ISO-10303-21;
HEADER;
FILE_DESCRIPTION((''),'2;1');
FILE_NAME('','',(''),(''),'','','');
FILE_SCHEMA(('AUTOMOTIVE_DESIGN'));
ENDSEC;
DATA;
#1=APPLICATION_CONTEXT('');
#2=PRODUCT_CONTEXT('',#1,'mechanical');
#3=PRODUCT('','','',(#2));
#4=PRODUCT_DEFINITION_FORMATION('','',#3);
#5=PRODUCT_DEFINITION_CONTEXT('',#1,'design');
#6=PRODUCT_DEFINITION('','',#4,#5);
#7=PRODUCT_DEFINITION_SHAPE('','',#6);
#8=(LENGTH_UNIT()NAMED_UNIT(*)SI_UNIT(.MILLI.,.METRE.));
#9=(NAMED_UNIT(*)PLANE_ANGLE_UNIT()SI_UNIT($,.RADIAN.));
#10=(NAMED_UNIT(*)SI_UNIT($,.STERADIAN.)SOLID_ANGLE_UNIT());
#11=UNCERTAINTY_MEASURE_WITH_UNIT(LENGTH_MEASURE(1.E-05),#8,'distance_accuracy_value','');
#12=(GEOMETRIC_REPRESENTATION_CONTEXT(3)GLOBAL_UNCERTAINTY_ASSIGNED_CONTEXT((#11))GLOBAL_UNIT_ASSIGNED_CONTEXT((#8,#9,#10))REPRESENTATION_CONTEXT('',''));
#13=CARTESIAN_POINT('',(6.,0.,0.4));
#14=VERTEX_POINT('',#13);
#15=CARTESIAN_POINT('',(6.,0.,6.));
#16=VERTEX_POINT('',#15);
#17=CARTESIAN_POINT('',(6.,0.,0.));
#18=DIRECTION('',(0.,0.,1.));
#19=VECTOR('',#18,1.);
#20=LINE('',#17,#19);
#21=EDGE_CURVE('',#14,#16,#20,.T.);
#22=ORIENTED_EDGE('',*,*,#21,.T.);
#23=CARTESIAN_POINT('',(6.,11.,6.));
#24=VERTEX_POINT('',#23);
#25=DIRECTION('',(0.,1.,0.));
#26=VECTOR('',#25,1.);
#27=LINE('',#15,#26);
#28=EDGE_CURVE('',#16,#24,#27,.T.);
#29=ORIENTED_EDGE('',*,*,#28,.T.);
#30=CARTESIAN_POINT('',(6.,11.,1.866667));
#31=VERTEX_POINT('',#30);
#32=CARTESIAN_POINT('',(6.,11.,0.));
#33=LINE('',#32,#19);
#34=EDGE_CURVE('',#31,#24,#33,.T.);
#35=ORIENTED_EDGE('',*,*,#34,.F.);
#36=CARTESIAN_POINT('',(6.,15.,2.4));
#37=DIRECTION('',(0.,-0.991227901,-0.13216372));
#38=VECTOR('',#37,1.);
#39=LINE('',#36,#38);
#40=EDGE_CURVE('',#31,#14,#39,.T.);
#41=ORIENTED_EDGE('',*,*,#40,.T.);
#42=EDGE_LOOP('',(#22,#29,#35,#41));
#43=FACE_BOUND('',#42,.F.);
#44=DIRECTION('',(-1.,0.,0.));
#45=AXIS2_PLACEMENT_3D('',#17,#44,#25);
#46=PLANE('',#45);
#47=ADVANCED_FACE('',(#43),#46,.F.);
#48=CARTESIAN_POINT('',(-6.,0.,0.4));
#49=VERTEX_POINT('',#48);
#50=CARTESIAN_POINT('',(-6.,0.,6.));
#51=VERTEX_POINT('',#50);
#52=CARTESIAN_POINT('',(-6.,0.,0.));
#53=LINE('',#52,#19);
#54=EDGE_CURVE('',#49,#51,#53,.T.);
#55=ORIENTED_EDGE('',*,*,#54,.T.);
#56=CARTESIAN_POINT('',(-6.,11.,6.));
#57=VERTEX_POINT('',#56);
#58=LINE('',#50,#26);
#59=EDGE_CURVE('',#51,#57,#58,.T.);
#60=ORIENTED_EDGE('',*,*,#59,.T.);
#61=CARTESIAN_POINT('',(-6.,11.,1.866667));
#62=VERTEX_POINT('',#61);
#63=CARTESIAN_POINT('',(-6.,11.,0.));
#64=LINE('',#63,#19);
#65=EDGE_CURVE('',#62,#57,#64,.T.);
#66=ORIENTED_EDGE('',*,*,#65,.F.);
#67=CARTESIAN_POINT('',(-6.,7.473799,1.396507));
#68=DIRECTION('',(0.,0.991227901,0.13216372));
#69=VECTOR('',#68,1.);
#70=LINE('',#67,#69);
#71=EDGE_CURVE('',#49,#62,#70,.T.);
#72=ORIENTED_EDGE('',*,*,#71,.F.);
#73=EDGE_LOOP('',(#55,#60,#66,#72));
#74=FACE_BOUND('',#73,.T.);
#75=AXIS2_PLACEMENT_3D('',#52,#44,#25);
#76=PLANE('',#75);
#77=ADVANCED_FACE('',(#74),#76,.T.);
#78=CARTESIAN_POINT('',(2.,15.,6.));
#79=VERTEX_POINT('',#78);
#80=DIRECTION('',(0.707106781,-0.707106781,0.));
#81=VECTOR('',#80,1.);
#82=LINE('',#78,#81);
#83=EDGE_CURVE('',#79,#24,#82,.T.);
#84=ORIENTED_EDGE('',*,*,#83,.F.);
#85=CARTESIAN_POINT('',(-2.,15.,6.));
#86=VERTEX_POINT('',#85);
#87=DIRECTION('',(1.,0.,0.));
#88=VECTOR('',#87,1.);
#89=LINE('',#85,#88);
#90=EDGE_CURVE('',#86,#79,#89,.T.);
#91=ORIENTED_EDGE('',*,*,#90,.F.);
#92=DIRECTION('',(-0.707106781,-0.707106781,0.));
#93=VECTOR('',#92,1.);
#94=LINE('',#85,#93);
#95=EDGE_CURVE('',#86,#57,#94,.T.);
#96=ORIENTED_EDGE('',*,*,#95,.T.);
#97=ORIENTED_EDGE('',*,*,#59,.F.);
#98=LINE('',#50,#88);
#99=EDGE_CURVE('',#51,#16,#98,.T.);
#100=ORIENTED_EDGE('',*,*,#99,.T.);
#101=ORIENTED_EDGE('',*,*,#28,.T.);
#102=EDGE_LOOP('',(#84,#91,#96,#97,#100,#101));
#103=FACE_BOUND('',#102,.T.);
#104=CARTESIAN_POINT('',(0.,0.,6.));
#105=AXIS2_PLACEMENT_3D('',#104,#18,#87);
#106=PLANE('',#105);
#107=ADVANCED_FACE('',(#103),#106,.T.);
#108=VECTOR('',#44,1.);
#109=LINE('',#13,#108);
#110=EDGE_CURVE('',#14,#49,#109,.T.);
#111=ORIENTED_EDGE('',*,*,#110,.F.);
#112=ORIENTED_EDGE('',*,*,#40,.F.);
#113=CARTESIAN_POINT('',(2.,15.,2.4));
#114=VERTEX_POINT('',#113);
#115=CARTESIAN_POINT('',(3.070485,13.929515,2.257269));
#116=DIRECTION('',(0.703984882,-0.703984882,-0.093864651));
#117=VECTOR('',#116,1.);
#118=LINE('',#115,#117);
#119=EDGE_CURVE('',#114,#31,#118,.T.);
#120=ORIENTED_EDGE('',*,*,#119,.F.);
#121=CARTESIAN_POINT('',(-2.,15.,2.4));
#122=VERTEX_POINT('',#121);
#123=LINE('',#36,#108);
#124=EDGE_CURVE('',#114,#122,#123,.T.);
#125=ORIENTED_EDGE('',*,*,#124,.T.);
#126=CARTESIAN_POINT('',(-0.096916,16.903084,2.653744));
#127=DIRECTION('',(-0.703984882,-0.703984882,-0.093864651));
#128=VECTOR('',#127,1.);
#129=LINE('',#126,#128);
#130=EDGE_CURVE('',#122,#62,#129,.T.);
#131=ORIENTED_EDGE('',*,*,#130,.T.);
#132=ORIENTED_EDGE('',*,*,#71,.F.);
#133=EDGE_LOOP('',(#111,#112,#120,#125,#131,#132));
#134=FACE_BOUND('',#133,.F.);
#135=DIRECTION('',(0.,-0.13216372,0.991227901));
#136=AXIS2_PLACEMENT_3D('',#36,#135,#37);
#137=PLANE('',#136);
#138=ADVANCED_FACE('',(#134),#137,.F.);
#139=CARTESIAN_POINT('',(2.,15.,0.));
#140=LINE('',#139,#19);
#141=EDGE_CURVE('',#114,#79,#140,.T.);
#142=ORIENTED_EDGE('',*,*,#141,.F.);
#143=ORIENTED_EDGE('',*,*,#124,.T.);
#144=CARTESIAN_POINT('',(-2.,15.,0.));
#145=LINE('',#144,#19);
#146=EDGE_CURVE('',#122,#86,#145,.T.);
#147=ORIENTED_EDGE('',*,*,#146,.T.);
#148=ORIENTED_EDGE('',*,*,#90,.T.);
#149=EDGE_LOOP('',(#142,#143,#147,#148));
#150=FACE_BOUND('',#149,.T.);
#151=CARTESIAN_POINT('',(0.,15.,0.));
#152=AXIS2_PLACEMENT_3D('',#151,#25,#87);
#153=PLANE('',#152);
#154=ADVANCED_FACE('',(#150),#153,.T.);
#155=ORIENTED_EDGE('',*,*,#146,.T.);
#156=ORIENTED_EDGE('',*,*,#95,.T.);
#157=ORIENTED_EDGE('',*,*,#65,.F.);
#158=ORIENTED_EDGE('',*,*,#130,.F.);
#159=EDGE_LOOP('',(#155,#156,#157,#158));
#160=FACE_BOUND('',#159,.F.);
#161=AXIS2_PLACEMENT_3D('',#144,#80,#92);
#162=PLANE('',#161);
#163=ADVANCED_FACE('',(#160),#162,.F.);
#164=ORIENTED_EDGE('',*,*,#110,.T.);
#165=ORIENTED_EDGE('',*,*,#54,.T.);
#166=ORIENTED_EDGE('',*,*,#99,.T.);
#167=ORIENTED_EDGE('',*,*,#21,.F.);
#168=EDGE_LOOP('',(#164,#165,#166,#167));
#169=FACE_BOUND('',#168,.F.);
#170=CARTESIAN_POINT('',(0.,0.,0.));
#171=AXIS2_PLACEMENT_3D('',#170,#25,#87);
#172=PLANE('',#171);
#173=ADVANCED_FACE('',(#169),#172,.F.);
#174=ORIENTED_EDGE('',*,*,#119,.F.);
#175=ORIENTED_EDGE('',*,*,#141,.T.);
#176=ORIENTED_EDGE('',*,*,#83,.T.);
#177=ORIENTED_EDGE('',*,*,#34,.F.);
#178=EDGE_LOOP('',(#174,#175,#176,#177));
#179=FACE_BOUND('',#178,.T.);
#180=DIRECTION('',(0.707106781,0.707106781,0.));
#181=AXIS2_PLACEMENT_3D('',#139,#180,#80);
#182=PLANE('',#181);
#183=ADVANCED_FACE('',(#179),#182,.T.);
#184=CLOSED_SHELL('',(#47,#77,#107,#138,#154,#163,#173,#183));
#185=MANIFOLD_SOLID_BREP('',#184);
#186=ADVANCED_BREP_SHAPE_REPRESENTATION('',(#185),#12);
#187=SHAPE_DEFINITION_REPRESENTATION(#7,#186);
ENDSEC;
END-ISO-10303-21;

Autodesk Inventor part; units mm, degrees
ref_plane "YZ Plane" through (0, 0, 0) normal (1, 0, 0) x (0, 1, 0)
ref_plane "XZ Plane" through (0, 0, 0) normal (0, 1, 0) x (-1, 0, 0)
ref_plane "XY Plane" through (0, 0, 0) normal (0, 0, 1) x (1, 0, 0)
sketch "Sketch1" plane through (0, 0, 0) normal (0, 0, 1) x (1, 0, 0)
  line L0 (0, 0) -> (6, 0)
  line L1 (6, 0) -> (6, 11)
  line L2 (0, 0) -> (-6, 0)
  line L3 (-6, 0) -> (-6, 11)
  line L4 (0, 0) -> (0, 15)
  line L5 (0, 15) -> (2, 15)
  line L6 (2, 15) -> (6, 11)
  line L7 (0, 15) -> (-2, 15)
  line L8 (-2, 15) -> (-6, 11)
  dimension "d0" = 6
  dimension "d1" = 11
  dimension "d2" = 6
  dimension "d3" = 11
  dimension "d4" = 15
  dimension "d5" = 2
  dimension "d6" = 2
extrude "Extrusion1" add sketch "Sketch1" along normal blind 6
sketch "Sketch2" plane through (6, 0, 0) normal (1, 0, 0) x (0, 0, -1)
  line L0 (0, 11) -> (0, 15) projected
  line L1 (0, 0) -> (0, 15)
  line L2 (0, 15) -> (-2, 15)
  line L3 (0, 15) -> (-6, 15) projected
  line L4 (0, 11) -> (0, 0) projected
  line L5 (0, 0) -> (-0.4, 0)
  line L6 (0, 0) -> (-6, 0) projected
  line L7 (-2, 15) -> (-2.4, 15)
  line L8 (-2.4, 15) -> (-0.4, 0)
  dimension "d9" = 2
extrude "Extrusion2" cut sketch "Sketch2" against normal blind 17.9375
properties part number "middle-join-inside"
